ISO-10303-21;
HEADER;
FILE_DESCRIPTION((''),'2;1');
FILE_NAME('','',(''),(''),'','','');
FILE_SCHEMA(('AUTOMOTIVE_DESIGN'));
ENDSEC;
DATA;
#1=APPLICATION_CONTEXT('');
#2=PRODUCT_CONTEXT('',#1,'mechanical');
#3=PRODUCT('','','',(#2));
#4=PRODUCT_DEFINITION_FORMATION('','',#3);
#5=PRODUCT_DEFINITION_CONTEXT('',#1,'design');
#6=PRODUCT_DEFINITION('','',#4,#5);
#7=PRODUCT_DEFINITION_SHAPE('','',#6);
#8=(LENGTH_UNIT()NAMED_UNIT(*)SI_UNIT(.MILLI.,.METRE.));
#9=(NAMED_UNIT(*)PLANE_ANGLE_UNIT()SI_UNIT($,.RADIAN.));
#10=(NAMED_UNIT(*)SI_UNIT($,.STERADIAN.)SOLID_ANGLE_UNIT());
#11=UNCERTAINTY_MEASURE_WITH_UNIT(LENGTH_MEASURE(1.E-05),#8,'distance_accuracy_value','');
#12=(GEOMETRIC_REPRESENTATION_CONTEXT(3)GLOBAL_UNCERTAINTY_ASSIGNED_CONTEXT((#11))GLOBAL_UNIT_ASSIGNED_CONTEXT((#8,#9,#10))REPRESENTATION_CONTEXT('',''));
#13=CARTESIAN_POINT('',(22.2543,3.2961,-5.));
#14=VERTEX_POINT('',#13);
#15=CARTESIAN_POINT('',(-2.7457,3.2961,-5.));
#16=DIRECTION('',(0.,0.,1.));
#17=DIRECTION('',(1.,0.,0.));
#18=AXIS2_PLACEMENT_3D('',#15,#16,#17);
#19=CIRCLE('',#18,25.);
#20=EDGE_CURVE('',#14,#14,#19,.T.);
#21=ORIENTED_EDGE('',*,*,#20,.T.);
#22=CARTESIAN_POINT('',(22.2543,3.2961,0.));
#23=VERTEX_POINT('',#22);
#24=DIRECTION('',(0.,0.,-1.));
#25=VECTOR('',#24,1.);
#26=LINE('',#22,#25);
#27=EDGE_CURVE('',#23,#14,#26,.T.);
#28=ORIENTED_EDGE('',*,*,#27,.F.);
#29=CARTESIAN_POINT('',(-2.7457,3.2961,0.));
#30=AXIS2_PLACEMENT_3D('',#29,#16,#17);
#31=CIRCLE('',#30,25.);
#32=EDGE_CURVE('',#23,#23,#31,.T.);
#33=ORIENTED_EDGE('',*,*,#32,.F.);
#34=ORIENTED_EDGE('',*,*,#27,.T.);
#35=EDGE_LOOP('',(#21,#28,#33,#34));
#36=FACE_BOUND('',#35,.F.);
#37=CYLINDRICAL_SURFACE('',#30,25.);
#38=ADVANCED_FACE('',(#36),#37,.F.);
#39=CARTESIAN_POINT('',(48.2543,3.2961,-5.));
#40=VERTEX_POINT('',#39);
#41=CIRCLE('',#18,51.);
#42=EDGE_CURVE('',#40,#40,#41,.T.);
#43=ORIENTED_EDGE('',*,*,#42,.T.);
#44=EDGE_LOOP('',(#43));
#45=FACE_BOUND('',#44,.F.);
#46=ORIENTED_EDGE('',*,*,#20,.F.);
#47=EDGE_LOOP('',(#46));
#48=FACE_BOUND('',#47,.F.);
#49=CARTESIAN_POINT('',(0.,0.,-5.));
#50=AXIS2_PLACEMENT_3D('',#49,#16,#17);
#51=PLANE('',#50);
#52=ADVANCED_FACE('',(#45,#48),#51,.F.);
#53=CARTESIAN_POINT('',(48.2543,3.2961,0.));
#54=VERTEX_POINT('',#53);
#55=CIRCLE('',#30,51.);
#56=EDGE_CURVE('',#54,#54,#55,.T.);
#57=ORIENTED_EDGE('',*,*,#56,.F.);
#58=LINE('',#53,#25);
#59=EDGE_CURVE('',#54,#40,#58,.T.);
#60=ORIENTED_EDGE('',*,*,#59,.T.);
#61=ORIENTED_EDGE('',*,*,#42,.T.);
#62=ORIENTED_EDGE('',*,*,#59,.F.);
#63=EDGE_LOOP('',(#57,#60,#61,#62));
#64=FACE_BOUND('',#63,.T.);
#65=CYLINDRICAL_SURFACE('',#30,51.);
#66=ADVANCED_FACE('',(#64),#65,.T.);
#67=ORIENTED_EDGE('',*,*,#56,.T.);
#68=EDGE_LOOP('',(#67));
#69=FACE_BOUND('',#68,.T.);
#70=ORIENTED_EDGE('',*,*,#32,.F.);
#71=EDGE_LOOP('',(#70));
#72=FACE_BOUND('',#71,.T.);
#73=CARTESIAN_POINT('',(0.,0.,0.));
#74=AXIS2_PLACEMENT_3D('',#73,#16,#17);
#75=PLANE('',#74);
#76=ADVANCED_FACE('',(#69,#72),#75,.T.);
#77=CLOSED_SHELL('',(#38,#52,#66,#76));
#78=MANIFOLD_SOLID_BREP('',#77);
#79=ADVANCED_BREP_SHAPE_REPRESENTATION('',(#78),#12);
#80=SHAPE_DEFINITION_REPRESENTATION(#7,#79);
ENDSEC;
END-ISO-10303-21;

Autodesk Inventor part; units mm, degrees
ref_plane "YZ Plane" through (0, 0, 0) normal (1, 0, 0) x (0, 1, 0)
ref_plane "XZ Plane" through (0, 0, 0) normal (0, 1, 0) x (-1, 0, 0)
ref_plane "XY Plane" through (0, 0, 0) normal (0, 0, 1) x (1, 0, 0)
sketch "Sketch1" plane through (0, 0, 0) normal (0, 0, 1) x (1, 0, 0)
  circle A0 centre (-2.7457, 3.2961) radius 51 projected
  circle A1 centre (-2.7457, 3.2961) radius 25 projected
  point P0 (0, 0)
extrude "Extrusion1" add sketch "Sketch1" against normal blind 5
properties part number "lapostomites2" material "Rubber"
